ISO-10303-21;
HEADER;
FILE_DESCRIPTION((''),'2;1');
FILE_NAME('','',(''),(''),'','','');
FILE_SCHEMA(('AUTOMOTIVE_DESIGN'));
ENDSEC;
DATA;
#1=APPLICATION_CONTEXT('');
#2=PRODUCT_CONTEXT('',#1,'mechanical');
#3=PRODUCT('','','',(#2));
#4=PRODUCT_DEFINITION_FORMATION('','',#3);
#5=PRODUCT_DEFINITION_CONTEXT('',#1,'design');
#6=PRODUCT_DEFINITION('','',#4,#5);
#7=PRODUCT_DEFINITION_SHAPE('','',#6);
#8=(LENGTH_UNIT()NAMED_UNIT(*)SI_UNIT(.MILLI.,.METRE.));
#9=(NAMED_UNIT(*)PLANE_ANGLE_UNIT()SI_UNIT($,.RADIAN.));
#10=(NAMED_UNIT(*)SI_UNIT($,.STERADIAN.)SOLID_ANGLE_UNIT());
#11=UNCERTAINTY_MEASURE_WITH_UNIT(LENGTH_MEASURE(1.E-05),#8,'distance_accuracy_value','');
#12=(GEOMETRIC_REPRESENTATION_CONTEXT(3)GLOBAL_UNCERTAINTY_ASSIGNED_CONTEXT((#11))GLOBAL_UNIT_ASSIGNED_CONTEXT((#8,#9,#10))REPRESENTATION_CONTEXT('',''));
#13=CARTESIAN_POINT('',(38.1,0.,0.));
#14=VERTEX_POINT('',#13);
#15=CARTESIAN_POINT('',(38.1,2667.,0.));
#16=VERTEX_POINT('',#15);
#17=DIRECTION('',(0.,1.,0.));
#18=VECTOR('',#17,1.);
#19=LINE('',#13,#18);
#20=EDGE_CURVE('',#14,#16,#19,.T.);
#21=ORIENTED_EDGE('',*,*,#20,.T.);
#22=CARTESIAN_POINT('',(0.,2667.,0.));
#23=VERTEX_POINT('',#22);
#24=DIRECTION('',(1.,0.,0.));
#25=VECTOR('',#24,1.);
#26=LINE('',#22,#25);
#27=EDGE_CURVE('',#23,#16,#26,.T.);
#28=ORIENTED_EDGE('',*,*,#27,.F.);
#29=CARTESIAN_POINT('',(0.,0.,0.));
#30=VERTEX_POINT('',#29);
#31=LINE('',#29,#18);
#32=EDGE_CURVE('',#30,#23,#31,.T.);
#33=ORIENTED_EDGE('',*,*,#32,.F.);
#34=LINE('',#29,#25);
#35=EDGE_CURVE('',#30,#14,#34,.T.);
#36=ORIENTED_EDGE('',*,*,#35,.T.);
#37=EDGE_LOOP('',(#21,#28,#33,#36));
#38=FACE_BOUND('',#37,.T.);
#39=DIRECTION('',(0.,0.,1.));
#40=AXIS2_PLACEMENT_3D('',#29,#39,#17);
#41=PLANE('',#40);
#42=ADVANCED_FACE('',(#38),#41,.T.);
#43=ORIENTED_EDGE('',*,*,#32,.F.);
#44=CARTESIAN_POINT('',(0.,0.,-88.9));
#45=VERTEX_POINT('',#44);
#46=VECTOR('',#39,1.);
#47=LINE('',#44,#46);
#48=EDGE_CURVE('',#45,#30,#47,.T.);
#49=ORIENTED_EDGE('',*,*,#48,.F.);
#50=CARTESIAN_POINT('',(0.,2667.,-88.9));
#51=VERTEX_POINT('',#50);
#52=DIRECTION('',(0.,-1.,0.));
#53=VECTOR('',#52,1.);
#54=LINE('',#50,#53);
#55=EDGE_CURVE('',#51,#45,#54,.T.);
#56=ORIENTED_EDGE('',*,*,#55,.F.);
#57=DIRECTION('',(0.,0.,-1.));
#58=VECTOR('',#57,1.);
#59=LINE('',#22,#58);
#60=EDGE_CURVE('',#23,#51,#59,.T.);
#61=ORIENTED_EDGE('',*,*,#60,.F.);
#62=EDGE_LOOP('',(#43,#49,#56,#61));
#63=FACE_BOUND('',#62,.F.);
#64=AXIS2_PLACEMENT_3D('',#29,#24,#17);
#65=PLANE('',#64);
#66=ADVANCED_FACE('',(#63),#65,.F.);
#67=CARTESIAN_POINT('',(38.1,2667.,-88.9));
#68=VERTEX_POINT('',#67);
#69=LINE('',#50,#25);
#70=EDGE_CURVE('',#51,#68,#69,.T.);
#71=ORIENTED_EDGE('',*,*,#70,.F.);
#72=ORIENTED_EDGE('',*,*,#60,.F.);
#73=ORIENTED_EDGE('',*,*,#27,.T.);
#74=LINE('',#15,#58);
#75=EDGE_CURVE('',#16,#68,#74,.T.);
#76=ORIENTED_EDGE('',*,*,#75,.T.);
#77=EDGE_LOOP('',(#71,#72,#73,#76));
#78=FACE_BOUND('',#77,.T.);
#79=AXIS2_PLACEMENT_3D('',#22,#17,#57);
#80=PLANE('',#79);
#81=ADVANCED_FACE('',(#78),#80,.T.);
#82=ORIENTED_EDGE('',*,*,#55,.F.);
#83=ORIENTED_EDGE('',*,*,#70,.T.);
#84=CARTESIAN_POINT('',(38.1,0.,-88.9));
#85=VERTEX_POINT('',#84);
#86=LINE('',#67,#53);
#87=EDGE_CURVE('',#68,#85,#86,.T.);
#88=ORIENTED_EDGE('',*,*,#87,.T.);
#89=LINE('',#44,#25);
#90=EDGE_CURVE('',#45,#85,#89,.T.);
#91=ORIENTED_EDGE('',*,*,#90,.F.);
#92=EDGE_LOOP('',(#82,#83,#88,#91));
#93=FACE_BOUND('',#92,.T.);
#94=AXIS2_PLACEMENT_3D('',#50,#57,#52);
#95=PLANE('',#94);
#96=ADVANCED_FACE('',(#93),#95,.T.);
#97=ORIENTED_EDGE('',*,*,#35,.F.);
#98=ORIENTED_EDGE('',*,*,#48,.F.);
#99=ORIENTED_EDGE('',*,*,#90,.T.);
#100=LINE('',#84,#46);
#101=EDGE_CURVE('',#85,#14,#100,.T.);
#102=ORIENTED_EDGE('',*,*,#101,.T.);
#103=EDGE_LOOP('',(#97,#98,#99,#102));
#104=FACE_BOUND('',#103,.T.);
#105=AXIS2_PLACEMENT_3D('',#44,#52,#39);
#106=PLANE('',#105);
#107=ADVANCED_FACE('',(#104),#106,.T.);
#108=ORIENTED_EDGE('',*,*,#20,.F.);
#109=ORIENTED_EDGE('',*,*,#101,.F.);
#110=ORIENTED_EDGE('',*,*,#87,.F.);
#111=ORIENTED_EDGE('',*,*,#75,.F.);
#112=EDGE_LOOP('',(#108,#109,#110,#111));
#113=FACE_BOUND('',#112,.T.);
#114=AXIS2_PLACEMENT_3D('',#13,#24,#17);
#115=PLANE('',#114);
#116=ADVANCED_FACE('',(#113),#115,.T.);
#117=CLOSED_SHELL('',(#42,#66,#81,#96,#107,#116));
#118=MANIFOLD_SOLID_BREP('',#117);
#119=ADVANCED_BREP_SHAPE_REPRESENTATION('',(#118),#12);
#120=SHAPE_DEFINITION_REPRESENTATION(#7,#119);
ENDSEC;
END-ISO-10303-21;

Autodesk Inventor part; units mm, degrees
ref_plane "YZ Plane" through (0, 0, 0) normal (1, 0, 0) x (0, 1, 0)
ref_plane "XZ Plane" through (0, 0, 0) normal (0, 1, 0) x (-1, 0, 0)
ref_plane "XY Plane" through (0, 0, 0) normal (0, 0, 1) x (1, 0, 0)
sketch "Sketch1" plane through (0, 0, 0) normal (1, 0, 0) x (0, 1, 0)
  line L0 (0, 0) -> (2667, 0)
  line L1 (2667, 0) -> (2667, -88.9)
  line L2 (2667, -88.9) -> (0, -88.9)
  line L3 (0, -88.9) -> (0, 0)
  dimension "d0" = 2667
  dimension "d1" = 88.9
extrude "Extrusion1" add sketch "Sketch1" along normal blind 38.1
properties part number "10'x2x4"
